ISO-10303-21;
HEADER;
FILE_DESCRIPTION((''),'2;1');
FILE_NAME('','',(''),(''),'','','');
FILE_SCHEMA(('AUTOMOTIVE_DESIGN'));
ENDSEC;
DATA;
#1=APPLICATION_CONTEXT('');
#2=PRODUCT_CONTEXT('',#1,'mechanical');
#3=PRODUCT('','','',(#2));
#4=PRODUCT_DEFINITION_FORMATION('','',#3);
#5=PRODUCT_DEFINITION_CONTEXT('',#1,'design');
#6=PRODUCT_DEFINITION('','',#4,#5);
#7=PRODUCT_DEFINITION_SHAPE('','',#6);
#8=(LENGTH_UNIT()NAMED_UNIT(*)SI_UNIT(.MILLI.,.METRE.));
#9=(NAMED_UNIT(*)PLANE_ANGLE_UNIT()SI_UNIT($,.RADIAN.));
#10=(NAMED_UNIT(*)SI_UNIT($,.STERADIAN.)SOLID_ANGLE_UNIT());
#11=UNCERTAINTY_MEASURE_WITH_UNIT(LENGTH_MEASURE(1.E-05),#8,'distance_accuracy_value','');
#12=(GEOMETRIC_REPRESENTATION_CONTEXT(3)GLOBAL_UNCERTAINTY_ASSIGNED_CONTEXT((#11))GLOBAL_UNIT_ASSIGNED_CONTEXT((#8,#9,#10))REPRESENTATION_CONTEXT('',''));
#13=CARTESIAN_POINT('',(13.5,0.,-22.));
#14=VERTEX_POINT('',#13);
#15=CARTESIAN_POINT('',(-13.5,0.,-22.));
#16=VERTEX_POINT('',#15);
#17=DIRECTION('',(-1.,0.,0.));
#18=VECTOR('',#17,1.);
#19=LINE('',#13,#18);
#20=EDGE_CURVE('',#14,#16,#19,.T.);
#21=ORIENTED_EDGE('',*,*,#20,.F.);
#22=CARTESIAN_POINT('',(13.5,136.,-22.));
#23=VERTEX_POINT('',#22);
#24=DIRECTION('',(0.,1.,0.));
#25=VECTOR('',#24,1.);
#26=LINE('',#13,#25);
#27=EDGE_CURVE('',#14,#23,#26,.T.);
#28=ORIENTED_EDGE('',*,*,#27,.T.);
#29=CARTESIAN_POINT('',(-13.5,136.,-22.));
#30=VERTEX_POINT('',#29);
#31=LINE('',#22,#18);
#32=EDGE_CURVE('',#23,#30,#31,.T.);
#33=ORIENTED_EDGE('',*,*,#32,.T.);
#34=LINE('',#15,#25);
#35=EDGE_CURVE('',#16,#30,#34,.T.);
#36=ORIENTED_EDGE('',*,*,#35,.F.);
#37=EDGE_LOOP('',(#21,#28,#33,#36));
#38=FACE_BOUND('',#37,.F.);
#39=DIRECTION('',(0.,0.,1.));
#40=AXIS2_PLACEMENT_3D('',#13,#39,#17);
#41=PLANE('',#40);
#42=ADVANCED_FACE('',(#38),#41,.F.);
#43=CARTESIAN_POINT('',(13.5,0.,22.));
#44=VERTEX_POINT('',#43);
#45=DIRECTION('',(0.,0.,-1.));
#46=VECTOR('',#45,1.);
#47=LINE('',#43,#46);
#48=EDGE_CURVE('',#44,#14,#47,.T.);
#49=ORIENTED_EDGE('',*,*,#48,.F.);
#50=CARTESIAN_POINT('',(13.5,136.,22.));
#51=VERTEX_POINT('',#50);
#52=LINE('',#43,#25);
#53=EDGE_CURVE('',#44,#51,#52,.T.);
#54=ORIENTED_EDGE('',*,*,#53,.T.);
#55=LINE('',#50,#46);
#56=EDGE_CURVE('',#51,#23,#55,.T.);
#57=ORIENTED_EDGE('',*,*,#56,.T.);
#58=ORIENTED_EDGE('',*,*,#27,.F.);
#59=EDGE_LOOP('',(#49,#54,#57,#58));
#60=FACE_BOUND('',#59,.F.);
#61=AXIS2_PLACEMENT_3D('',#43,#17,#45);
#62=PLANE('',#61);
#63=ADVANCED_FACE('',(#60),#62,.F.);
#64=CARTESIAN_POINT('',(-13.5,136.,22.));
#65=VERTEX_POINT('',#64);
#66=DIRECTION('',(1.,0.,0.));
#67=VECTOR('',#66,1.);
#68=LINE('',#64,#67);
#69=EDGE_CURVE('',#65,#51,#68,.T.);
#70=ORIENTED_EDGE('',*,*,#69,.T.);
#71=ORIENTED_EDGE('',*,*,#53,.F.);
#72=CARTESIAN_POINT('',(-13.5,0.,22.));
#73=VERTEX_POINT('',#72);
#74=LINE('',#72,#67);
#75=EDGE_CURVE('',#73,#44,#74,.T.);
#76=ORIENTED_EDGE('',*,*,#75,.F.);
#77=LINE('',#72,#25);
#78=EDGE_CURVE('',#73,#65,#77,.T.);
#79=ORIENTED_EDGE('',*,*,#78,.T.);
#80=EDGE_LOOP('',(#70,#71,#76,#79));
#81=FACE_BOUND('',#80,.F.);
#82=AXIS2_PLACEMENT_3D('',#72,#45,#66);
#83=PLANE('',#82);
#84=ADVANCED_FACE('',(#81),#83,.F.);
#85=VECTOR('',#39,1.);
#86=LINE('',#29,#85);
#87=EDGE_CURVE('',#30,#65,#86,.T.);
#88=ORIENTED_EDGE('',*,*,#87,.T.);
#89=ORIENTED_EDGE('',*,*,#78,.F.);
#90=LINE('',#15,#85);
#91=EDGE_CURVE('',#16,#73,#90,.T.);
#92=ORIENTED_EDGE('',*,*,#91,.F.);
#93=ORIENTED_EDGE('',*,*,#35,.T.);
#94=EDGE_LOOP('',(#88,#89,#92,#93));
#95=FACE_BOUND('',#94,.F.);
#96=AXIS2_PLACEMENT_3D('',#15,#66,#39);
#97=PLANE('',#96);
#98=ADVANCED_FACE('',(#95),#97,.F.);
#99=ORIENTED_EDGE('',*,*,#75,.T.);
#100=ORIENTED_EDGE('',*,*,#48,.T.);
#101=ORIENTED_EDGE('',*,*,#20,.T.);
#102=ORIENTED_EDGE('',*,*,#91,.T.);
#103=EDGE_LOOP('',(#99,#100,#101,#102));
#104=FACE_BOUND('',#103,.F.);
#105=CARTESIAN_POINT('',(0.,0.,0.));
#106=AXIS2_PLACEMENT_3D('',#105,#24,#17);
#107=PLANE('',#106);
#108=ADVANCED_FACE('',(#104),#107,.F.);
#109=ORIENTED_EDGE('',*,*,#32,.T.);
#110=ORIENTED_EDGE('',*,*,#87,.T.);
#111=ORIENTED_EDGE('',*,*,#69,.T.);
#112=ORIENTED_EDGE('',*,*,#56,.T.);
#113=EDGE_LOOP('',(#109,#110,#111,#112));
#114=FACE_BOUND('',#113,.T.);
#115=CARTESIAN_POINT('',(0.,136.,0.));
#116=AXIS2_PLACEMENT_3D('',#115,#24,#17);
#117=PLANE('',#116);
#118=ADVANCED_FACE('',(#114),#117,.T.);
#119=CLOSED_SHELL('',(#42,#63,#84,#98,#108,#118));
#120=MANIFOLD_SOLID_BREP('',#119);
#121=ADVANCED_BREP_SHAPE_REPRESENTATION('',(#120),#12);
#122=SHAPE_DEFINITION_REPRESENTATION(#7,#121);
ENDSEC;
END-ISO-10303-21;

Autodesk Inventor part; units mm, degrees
ref_plane "YZ Plane" through (0, 0, 0) normal (1, 0, 0) x (0, 1, 0)
ref_plane "XZ Plane" through (0, 0, 0) normal (0, 1, 0) x (-1, 0, 0)
ref_plane "XY Plane" through (0, 0, 0) normal (0, 0, 1) x (1, 0, 0)
sketch "Эскиз1" plane through (0, 0, 0) normal (0, 1, 0) x (-1, 0, 0)
  line L0 (-13.5, -22) -> (13.5, -22)
  line L1 (13.5, -22) -> (13.5, 22)
  line L2 (13.5, 22) -> (-13.5, 22)
  line L3 (-13.5, 22) -> (-13.5, -22)
  line L4 (-13.5, -22) -> (13.5, 22) construction
  line L5 (13.5, -22) -> (-13.5, 22) construction
  point P0 (0, 0)
  dimension "d0" = 27
  dimension "d1" = 44
extrude "Выдавливание1" add sketch "Эскиз1" along normal blind 136
properties part number "akkum"
